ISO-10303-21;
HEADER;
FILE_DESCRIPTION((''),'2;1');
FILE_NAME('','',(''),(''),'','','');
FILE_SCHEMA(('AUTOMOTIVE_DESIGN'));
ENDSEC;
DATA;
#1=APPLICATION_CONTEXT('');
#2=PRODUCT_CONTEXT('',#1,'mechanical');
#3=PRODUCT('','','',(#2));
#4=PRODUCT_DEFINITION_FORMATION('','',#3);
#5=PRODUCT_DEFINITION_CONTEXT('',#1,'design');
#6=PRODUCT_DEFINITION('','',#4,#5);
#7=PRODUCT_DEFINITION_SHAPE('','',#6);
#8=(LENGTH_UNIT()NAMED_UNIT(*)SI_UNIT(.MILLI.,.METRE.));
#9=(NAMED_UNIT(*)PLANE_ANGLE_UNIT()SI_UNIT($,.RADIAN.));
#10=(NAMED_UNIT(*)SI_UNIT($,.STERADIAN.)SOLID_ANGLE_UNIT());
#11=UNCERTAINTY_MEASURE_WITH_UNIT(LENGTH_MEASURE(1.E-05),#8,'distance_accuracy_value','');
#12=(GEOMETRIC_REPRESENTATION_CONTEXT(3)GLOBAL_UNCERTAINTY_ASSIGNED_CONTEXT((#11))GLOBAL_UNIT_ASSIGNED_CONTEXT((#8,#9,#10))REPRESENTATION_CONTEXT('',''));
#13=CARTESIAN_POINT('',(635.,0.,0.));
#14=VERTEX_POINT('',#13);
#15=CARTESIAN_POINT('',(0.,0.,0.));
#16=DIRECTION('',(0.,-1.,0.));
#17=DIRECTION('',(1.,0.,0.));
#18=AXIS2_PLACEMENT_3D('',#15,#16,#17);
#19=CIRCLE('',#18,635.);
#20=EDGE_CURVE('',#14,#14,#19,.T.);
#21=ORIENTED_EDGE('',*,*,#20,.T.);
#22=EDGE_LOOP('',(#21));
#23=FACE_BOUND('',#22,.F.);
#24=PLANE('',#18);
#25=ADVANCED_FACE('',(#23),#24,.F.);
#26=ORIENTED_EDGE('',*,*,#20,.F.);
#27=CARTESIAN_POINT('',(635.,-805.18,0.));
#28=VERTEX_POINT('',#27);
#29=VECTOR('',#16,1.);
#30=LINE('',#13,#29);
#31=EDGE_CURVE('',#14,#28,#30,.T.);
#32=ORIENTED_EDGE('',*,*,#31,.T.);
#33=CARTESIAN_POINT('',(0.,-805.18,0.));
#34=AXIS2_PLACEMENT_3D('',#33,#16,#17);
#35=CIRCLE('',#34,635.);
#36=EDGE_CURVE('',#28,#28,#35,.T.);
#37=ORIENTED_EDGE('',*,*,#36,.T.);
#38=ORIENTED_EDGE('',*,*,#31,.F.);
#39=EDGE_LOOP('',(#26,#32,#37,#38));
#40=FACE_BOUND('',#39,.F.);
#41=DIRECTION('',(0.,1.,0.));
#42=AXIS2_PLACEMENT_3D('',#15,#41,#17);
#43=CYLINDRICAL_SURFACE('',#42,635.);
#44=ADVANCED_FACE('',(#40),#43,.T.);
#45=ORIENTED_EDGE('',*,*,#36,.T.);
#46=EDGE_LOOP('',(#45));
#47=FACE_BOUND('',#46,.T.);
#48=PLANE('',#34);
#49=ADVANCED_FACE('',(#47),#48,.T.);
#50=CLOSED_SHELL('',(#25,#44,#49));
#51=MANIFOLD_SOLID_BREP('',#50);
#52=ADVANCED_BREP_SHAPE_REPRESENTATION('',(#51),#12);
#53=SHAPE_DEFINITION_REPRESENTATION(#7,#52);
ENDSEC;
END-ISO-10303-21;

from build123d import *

# Parameters (mm, degrees)
F0_W     = 46.8510227791
F0_H     = 10.859509725
F1_DEPTH = 68.326
F2_DEPTH = 25.4
F4_R     = 635
F5_DEPTH = 805.18


with BuildPart() as f1:
    # F0 (on Front) → F1 (new body)
    with BuildSketch(Plane.XZ):
        with BuildLine():
            Line((0, 19.9349565315), (0, 0))
            Line((0, 0), (35.5261108433, 0))
            Line((35.5261108433, 0), (35.5261108433, 2.7486670447))
            ThreePointArc((35.5261108433, 2.7486670447), (31.9945535762, 7.7510571327), (35.5261108433, 12.7534472207))
            Line((35.5261108433, 12.7534472207), (35.5261108433, 13.7660977894))
            ThreePointArc((35.5261108433, 13.7660977894), (34.1369679811, 16.9197345446), (32.468561842, 19.9349565315))
            Line((32.468561842, 19.9349565315), (0, 19.9349565315))
        make_face()
        with Locations((-6.2054333332, -14.9706080555)):
            Rectangle(F0_W, F0_H)
        Polygon((35.5261108433, 0), (0, 0), (0, 19.9349565315), (-29.6309447227, -9.540853193), (17.2200780563, -9.540853193), align=None)
    extrude(amount=F1_DEPTH)

    # F0 (on Front) → F2 (join)
    with BuildSketch(Plane.XZ):
        with BuildLine():
            Line((0, 19.9349565315), (0, 0))
            Line((0, 0), (35.5261108433, 0))
            Line((35.5261108433, 0), (35.5261108433, 2.7486670447))
            ThreePointArc((35.5261108433, 2.7486670447), (31.9945535762, 7.7510571327), (35.5261108433, 12.7534472207))
            Line((35.5261108433, 12.7534472207), (35.5261108433, 13.7660977894))
            ThreePointArc((35.5261108433, 13.7660977894), (34.1369679811, 16.9197345446), (32.468561842, 19.9349565315))
            Line((32.468561842, 19.9349565315), (0, 19.9349565315))
        make_face()
        with BuildLine():
            Line((35.5261108433, 2.7486670447), (35.5261108433, 0))
            Line((35.5261108433, 0), (17.2200780563, -9.540853193))
            Line((17.2200780563, -9.540853193), (17.2200780563, -20.400362918))
            Line((17.2200780563, -20.400362918), (-29.6309447227, -20.400362918))
            Line((-29.6309447227, -20.400362918), (-29.6309447227, -9.540853193))
            Line((-29.6309447227, -9.540853193), (0, 19.9349565315))
            Line((0, 19.9349565315), (32.468561842, 19.9349565315))
            ThreePointArc((32.468561842, 19.9349565315), (-36.6651210702, -10.3575526506), (38.1, 0))
            ThreePointArc((38.1, 0), (38.0796183926, 1.2460590178), (38.0184953766, 2.4907848763))
            ThreePointArc((38.0184953766, 2.4907848763), (36.7568701316, 2.4705690147), (35.5261108433, 2.7486670447))
        make_face()
        with BuildLine():
            Line((35.5261108433, 12.7534472207), (35.5261108433, 2.7486670447))
            ThreePointArc((35.5261108433, 2.7486670447), (36.7568701316, 2.4705690147), (38.0184953766, 2.4907848763))
            ThreePointArc((38.0184953766, 2.4907848763), (37.3032319421, 7.7510571327), (35.8637504709, 12.8608476456))
            ThreePointArc((35.8637504709, 12.8608476456), (35.6940343979, 12.8099650441), (35.5261108433, 12.7534472207))
        make_face()
        with BuildLine():
            Line((35.5261108433, 19.9349565315), (32.468561842, 19.9349565315))
            ThreePointArc((32.468561842, 19.9349565315), (34.1369679811, 16.9197345446), (35.5261108433, 13.7660977894))
            Line((35.5261108433, 13.7660977894), (35.5261108433, 19.9349565315))
        make_face()
        with BuildLine():
            Line((35.5261108433, 13.7660977894), (35.5261108433, 12.7534472207))
            ThreePointArc((35.5261108433, 12.7534472207), (35.6940343979, 12.8099650441), (35.8637504709, 12.8608476456))
            ThreePointArc((35.8637504709, 12.8608476456), (35.6978002694, 13.3145430237), (35.5261108433, 13.7660977894))
        make_face()
        with BuildLine():
            ThreePointArc((35.8637504709, 12.8608476456), (37.3032319421, 7.7510571327), (38.0184953766, 2.4907848763))
            ThreePointArc((38.0184953766, 2.4907848763), (41.3019298247, 4.2592837672), (42.611910308, 7.7510571327))
            ThreePointArc((42.611910308, 7.7510571327), (40.5079411214, 11.9833029984), (35.8637504709, 12.8608476456))
        make_face()
    extrude(amount=F2_DEPTH)


with BuildPart() as f5:
    # F4 (on Front) → F5 (new body)
    with BuildSketch(Plane.XZ):
        Circle(F4_R)
    extrude(amount=F5_DEPTH)


solid = f5.part
